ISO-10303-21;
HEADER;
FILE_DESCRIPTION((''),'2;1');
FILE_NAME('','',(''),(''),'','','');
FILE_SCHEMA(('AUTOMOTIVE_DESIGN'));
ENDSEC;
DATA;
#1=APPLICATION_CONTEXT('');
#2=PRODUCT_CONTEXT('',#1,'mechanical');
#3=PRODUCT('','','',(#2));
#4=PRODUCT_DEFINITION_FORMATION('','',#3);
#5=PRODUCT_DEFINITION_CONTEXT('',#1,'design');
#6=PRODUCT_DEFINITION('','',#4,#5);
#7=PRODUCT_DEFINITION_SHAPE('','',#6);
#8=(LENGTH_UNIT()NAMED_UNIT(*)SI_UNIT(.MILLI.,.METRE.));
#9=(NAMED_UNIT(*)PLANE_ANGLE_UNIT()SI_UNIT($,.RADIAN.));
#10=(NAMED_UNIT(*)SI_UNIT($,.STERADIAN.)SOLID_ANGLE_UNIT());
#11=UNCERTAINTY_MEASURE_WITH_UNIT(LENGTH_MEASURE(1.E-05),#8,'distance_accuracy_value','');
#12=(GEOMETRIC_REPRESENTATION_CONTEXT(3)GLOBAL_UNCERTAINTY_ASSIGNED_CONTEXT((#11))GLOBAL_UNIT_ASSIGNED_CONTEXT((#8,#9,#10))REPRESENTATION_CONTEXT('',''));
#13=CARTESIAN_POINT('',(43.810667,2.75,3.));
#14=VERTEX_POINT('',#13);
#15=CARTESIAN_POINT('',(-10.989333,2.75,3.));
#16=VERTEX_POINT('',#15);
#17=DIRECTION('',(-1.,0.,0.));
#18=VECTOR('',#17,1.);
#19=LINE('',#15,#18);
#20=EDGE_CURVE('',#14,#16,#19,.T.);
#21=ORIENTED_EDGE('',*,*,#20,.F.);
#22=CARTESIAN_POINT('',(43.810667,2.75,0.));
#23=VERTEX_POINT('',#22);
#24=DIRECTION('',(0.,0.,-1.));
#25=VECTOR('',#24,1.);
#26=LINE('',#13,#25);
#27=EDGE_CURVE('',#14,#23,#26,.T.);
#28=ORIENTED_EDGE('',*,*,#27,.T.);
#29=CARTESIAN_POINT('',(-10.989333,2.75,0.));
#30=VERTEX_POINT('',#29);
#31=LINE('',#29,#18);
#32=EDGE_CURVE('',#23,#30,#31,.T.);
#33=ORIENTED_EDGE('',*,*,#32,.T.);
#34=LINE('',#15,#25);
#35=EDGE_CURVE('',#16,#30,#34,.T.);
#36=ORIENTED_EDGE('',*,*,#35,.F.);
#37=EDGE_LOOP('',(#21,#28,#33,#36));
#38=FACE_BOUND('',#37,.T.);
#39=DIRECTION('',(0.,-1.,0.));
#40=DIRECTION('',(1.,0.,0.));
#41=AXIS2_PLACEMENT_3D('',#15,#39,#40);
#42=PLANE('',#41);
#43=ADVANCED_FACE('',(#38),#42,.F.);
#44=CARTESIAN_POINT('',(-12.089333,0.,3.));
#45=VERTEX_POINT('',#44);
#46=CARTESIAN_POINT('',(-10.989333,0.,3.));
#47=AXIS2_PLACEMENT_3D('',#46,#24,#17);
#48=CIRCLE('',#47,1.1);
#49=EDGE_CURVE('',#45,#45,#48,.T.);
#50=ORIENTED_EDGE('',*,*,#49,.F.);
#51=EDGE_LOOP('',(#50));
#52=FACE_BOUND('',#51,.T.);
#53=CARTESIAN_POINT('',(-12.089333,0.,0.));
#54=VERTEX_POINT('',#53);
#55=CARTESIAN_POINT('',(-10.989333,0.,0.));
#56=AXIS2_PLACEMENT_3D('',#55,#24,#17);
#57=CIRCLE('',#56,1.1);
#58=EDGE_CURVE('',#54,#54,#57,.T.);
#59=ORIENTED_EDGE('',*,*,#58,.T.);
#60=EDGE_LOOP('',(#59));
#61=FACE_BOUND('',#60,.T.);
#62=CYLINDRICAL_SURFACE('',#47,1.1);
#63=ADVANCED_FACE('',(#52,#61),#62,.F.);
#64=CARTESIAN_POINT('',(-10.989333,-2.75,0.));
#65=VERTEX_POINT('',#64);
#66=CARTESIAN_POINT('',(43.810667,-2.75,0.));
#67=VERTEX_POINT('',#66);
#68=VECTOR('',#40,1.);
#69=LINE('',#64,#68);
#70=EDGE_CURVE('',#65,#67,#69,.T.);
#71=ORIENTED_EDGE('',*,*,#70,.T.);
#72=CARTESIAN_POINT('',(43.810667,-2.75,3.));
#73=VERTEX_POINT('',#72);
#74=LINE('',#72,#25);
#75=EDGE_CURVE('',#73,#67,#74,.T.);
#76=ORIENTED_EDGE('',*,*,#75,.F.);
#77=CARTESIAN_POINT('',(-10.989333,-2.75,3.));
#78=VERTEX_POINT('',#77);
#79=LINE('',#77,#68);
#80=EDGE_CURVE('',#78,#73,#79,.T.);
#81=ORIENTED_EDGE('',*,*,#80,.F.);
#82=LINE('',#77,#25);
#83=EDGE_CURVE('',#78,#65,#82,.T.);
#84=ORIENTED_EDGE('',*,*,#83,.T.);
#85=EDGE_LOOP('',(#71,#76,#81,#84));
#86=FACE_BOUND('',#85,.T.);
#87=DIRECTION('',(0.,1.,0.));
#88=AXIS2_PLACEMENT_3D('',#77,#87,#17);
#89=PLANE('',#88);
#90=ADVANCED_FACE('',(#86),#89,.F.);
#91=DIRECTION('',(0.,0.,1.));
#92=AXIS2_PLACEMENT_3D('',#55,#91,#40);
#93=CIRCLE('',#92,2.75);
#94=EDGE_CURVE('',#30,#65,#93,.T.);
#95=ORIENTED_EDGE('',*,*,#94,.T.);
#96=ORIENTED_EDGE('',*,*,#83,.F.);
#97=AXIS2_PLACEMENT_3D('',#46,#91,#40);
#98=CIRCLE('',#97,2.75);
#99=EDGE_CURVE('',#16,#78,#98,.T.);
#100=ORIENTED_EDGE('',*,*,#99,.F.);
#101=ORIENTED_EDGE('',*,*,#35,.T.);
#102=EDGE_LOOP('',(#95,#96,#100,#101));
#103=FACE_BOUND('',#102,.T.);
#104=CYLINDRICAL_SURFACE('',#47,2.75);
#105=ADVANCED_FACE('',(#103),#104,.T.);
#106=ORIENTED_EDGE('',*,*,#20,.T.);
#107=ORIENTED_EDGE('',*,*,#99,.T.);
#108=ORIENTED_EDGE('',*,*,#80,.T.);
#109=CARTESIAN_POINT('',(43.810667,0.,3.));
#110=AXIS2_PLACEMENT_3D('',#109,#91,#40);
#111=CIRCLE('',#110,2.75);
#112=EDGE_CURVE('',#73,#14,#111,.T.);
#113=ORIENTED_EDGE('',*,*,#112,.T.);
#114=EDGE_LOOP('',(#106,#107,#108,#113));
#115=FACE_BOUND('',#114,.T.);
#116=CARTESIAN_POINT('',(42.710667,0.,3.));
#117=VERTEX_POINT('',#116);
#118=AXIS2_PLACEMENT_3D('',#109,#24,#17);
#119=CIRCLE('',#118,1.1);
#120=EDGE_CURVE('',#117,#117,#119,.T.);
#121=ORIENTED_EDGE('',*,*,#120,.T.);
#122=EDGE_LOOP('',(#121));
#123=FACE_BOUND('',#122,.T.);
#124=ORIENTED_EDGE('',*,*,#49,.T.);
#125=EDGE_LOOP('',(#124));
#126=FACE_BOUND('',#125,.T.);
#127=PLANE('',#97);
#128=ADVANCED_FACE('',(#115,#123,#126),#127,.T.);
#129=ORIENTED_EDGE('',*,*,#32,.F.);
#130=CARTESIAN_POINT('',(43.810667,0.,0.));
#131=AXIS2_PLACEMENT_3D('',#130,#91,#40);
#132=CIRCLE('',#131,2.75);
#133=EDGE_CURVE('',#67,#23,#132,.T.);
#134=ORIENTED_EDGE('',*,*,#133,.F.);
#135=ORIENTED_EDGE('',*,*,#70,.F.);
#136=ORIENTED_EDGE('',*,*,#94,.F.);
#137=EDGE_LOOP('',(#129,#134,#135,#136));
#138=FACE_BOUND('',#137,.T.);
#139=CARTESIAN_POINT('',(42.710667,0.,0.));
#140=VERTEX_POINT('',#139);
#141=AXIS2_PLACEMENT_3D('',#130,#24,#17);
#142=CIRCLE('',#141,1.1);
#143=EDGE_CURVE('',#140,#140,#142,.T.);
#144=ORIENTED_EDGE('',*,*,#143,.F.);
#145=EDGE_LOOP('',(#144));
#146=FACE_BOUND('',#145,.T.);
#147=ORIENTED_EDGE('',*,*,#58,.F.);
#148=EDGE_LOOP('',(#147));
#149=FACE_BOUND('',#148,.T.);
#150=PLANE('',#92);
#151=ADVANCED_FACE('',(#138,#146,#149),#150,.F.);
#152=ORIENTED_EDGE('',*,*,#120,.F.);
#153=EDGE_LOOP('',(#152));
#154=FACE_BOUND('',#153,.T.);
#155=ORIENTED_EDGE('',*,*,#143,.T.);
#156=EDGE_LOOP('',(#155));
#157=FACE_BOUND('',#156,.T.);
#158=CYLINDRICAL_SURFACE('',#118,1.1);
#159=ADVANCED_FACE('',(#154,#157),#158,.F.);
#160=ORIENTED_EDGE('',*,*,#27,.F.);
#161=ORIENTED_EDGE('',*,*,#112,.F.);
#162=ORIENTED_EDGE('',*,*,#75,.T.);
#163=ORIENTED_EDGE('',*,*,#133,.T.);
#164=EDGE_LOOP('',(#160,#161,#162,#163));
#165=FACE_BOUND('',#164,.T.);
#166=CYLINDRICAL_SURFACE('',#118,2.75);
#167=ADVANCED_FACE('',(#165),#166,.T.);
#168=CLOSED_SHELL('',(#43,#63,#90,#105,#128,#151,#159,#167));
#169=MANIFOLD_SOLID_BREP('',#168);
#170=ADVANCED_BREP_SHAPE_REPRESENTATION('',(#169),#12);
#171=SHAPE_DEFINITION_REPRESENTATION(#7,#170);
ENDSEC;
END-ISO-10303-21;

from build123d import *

# Parameters (mm, degrees)
BOSS_EXTRUDE1_DEPTH = 3
SKETCH2_R           = 1.1
CUT_EXTRUDE1_DEPTH  = 3


with BuildPart() as part:
    # Sketch1 → Boss-Extrude1 (new body)
    with BuildSketch(Plane.XY):
        with BuildLine():
            Line((-10.989332563, 2.75), (43.810667437, 2.75))
            ThreePointArc((43.810667437, 2.75), (46.560667437, 0), (43.810667437, -2.75))
            Line((43.810667437, -2.75), (-10.989332563, -2.75))
            ThreePointArc((-10.989332563, -2.75), (-13.739332563, 0), (-10.989332563, 2.75))
        make_face()
    extrude(amount=BOSS_EXTRUDE1_DEPTH)

    # Sketch2 → Cut-Extrude1 (cut)
    with BuildSketch(Plane(origin=(0, 0, 0), x_dir=(-1, 0, 0), z_dir=(0, 0, -1))):
        with Locations((10.989332563, 0)):
            Circle(SKETCH2_R)
        with Locations((-43.810667437, 0)):
            Circle(SKETCH2_R)
    extrude(amount=-CUT_EXTRUDE1_DEPTH, mode=Mode.SUBTRACT)


solid = part.part
